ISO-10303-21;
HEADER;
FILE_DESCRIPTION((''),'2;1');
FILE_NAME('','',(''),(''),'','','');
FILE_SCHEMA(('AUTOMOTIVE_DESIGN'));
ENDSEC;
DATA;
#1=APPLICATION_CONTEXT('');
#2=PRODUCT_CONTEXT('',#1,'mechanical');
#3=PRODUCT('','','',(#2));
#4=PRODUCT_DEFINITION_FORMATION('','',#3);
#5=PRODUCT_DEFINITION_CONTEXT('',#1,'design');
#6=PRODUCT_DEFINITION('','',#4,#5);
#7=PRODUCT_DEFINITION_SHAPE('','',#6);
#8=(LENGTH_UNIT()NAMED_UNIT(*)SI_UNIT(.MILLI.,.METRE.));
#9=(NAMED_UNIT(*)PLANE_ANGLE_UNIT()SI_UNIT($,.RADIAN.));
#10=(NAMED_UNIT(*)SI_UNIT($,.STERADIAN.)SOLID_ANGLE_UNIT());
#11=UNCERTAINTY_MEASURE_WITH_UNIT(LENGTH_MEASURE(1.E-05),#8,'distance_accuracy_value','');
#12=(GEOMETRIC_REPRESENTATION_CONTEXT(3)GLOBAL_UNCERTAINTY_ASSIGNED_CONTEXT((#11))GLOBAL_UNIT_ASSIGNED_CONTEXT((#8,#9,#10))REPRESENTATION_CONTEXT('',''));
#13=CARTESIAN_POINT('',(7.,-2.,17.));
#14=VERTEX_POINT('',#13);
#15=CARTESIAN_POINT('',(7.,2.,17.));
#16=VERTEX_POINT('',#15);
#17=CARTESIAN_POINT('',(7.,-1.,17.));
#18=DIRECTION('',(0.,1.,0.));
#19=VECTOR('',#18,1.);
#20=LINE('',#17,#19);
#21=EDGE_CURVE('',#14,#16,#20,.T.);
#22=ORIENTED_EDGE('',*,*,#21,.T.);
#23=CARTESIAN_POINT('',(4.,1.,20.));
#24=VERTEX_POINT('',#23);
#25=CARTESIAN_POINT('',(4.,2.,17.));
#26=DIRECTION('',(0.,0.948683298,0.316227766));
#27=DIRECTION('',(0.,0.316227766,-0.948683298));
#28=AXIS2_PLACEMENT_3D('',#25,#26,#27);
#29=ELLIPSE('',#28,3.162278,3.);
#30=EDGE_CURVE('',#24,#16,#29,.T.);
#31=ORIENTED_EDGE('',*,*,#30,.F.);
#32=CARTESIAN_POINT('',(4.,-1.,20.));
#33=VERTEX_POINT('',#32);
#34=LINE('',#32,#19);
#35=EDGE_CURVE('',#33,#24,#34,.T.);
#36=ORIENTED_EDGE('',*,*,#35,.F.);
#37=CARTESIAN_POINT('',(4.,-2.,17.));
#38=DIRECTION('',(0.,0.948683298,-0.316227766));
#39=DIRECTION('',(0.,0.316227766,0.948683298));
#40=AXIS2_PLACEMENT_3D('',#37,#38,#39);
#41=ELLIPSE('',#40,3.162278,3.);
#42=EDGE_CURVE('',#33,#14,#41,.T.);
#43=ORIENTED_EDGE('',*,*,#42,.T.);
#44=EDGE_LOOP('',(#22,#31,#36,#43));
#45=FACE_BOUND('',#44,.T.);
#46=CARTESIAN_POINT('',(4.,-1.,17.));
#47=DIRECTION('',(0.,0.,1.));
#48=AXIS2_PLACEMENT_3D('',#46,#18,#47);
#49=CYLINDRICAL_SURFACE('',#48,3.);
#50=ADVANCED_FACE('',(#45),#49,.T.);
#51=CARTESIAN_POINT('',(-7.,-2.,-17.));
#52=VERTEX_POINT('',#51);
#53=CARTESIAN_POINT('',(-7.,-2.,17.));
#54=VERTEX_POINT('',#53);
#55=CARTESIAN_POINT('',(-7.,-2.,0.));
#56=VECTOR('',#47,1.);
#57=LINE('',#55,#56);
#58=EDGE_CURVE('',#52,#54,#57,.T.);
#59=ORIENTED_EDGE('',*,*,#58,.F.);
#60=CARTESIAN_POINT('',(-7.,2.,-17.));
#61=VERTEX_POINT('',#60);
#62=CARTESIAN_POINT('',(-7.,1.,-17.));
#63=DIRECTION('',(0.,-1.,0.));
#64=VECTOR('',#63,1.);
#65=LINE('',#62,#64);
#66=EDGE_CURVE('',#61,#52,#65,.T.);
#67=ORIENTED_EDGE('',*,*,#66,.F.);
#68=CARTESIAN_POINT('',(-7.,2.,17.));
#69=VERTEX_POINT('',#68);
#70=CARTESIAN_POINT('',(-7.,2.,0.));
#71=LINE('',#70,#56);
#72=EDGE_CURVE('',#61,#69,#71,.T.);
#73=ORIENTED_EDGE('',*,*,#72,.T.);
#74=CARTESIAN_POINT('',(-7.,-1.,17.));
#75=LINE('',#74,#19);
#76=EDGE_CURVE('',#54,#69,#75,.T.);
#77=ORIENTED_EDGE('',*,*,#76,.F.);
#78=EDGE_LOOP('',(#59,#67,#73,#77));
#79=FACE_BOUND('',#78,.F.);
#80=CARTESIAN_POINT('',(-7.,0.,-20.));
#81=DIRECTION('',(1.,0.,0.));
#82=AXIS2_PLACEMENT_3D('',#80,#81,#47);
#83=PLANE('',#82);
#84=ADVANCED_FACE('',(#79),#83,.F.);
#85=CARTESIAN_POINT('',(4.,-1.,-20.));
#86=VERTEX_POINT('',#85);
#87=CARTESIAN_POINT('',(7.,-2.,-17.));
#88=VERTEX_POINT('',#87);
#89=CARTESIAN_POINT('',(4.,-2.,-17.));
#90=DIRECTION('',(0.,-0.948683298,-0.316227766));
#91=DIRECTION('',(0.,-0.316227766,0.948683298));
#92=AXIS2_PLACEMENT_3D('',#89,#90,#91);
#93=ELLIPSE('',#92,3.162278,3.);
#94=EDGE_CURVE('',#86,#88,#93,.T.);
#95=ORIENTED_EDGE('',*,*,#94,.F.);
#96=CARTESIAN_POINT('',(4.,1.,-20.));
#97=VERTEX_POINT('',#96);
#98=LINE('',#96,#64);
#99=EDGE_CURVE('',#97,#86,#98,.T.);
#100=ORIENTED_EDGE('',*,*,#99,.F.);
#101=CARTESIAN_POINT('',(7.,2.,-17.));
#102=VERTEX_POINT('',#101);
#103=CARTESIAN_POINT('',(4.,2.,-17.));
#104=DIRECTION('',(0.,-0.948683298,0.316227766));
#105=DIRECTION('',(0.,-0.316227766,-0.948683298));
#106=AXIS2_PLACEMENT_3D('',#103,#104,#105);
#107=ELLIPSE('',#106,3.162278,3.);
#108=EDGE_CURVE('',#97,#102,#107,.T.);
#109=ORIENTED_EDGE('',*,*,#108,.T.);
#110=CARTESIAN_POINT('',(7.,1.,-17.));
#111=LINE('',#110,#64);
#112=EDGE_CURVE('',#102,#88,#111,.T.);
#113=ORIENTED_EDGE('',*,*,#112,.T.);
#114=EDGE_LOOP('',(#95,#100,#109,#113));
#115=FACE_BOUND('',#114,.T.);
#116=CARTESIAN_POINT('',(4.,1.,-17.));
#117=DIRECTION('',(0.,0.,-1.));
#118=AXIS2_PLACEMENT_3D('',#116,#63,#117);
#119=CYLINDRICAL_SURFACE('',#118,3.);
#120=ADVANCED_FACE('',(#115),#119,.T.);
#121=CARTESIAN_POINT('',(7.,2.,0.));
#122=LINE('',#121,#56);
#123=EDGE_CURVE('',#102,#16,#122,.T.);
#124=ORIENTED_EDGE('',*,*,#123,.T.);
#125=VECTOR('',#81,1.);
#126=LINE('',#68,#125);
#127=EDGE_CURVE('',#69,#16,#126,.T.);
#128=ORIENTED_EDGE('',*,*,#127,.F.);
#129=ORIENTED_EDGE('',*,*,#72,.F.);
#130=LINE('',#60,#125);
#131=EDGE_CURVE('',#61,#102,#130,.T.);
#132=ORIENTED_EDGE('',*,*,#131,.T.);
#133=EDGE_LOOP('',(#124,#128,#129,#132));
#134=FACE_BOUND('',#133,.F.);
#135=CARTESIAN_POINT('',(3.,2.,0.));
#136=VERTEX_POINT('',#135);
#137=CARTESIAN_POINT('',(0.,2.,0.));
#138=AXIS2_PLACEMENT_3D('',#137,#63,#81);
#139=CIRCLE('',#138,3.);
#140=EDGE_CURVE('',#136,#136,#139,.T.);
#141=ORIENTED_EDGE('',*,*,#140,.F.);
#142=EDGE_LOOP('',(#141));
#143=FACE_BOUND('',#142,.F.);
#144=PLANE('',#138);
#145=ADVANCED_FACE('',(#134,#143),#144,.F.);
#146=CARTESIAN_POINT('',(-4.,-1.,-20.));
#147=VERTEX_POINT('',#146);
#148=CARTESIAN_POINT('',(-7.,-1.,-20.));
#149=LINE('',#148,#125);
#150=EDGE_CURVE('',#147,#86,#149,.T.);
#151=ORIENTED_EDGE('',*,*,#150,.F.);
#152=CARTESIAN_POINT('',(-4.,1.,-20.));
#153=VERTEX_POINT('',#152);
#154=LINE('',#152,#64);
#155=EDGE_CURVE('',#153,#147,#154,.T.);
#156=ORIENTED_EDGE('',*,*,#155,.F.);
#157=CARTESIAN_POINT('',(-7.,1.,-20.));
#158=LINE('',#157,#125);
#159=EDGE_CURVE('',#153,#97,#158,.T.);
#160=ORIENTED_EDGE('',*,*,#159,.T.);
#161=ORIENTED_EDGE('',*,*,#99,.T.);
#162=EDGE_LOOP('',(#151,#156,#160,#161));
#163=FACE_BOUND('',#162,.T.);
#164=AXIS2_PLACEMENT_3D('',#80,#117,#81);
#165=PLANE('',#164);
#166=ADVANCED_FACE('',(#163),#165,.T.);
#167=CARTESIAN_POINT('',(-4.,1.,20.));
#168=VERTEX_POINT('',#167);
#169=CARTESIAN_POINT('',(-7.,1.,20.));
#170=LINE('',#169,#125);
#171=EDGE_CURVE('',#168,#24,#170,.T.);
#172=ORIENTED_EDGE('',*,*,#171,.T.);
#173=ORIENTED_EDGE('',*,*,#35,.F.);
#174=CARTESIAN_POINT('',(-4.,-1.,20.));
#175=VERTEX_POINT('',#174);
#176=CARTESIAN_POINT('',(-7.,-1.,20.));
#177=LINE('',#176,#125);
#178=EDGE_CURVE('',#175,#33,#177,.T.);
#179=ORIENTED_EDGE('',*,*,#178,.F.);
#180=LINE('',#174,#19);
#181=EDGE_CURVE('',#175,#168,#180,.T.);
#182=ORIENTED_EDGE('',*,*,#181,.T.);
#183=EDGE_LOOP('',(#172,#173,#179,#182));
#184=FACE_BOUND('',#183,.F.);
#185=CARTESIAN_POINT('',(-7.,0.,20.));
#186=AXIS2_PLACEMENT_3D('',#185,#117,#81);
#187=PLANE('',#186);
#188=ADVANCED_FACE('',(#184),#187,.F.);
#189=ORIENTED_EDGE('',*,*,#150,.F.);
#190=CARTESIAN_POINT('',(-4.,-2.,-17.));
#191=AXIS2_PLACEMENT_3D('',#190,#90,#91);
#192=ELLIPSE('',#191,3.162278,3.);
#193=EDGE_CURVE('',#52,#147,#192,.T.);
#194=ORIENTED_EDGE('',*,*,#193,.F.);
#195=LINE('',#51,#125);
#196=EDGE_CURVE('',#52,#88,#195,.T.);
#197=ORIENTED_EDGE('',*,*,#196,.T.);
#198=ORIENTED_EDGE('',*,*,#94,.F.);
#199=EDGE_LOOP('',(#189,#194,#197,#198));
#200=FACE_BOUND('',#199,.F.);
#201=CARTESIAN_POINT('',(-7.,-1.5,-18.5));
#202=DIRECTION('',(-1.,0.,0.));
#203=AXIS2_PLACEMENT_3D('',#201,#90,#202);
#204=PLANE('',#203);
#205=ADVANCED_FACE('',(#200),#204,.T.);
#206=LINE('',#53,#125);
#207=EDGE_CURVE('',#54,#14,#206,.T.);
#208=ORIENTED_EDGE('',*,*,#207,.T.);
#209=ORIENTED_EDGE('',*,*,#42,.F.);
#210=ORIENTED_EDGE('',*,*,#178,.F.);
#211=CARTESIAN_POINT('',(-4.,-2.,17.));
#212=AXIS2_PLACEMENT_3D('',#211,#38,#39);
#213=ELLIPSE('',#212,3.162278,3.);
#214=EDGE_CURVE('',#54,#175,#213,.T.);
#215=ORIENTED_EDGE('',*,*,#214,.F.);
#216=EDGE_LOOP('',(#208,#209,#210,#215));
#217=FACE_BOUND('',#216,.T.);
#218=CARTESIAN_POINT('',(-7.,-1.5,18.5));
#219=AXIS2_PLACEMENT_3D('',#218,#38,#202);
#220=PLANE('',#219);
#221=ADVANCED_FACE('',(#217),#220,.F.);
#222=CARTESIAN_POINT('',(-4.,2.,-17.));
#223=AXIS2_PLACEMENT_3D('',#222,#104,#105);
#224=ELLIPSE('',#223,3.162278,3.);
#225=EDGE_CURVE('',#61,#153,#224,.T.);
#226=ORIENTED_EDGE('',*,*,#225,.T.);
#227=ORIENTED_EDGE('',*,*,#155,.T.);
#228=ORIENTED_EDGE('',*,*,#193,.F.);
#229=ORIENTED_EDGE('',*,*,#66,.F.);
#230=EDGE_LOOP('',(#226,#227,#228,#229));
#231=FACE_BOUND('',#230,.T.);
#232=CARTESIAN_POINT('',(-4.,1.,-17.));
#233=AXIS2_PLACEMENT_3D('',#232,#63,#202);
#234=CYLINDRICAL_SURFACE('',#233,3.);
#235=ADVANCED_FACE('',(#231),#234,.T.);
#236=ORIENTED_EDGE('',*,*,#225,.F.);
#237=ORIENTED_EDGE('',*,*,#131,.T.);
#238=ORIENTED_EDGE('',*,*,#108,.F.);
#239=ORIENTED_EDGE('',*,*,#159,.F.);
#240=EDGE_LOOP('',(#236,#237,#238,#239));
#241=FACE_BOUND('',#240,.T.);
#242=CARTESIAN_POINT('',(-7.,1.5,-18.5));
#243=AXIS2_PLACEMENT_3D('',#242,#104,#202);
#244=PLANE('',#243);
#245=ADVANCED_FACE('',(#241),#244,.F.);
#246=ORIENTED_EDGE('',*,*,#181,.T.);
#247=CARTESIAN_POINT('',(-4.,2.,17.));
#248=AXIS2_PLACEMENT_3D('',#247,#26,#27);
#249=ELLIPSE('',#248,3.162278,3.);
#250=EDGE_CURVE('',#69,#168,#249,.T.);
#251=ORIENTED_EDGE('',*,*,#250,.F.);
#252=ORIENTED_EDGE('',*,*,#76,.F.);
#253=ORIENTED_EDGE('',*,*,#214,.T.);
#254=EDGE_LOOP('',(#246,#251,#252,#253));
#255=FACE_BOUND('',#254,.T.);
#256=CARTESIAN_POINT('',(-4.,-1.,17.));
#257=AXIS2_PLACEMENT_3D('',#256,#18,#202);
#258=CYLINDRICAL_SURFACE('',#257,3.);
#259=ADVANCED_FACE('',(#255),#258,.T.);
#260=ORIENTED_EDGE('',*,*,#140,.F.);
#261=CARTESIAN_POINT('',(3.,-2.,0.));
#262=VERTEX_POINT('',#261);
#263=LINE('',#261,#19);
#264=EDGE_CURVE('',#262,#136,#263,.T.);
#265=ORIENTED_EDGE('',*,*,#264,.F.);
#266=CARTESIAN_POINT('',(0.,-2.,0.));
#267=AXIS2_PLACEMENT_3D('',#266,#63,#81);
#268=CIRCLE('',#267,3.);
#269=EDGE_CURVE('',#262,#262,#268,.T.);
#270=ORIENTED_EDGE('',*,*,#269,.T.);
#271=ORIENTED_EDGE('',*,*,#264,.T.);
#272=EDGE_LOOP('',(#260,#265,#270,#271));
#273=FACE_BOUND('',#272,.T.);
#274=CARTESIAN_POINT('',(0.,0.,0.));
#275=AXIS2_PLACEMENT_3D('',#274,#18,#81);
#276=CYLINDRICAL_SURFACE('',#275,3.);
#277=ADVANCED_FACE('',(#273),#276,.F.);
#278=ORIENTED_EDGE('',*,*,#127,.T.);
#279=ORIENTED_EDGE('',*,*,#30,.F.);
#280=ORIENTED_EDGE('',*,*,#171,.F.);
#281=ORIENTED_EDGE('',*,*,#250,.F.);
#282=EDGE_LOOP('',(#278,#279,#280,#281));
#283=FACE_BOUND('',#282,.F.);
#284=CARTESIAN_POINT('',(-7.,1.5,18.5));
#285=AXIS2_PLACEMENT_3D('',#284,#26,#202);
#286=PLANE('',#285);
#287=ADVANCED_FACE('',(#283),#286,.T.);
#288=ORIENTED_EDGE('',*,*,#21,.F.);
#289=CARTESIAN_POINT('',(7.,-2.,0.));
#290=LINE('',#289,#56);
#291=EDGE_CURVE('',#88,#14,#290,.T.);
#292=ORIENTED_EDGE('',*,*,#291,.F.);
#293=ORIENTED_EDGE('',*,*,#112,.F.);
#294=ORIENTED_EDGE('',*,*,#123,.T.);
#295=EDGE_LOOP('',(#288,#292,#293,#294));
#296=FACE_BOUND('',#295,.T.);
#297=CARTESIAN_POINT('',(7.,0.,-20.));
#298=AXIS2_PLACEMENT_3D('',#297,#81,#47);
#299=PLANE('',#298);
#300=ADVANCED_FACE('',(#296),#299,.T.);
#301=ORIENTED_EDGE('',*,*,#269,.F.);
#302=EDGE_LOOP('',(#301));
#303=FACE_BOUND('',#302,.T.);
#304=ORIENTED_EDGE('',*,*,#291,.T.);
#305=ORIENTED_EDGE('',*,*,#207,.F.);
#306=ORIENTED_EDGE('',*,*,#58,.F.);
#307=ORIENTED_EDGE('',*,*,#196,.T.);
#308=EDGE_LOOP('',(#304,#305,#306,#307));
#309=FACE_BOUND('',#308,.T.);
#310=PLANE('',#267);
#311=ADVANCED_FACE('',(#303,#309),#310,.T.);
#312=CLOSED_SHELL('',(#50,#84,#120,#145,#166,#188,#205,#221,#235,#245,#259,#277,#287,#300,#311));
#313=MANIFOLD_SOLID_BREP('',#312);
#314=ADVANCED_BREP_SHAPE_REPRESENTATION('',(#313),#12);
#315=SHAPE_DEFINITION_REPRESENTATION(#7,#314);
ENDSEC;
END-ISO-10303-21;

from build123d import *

# Parameters (mm, degrees)
F0_W       = 14
F0_H       = 40
F0_R       = 3
F1_DEPTH   = 2
F2_SIZE2   = 1
F2_SIZE    = 3
F2_2_SIZE2 = 1
F2_2_SIZE  = 3
F3_R       = 3


with BuildPart() as f1:
    # F0 (on Front) → F1 (new body, symmetric)
    with BuildSketch(Plane.XZ):
        Rectangle(F0_W, F0_H)
        Circle(F0_R, mode=Mode.SUBTRACT)
    extrude(amount=F1_DEPTH, both=True)

    # F2
    f2_edges = [f1.edges().sort_by_distance(p)[0] for p in [
        (0, -2, 20),
        (0, -2, -20),
    ]]
    f2_side = f1.faces().sort_by_distance((6.576208, -2, 0))[0]
    chamfer(f2_edges, length=F2_SIZE, length2=F2_SIZE2, reference=f2_side)

    # F2#2
    f2_2_edges = [f1.edges().sort_by_distance(p)[0] for p in [
        (0, 2, 20),
        (0, 2, -20),
    ]]
    f2_2_side = f1.faces().sort_by_distance((6.576208, 2, 0))[0]
    chamfer(f2_2_edges, length=F2_2_SIZE, length2=F2_2_SIZE2, reference=f2_2_side)

    # F3
    f3_edges = [f1.edges().sort_by_distance(p)[0] for p in [
        (7, 0, 20),
        (-7, 0, 20),
        (7, 0, -20),
        (-7, 0, -20),
    ]]
    fillet(f3_edges, radius=F3_R)


solid = f1.part
